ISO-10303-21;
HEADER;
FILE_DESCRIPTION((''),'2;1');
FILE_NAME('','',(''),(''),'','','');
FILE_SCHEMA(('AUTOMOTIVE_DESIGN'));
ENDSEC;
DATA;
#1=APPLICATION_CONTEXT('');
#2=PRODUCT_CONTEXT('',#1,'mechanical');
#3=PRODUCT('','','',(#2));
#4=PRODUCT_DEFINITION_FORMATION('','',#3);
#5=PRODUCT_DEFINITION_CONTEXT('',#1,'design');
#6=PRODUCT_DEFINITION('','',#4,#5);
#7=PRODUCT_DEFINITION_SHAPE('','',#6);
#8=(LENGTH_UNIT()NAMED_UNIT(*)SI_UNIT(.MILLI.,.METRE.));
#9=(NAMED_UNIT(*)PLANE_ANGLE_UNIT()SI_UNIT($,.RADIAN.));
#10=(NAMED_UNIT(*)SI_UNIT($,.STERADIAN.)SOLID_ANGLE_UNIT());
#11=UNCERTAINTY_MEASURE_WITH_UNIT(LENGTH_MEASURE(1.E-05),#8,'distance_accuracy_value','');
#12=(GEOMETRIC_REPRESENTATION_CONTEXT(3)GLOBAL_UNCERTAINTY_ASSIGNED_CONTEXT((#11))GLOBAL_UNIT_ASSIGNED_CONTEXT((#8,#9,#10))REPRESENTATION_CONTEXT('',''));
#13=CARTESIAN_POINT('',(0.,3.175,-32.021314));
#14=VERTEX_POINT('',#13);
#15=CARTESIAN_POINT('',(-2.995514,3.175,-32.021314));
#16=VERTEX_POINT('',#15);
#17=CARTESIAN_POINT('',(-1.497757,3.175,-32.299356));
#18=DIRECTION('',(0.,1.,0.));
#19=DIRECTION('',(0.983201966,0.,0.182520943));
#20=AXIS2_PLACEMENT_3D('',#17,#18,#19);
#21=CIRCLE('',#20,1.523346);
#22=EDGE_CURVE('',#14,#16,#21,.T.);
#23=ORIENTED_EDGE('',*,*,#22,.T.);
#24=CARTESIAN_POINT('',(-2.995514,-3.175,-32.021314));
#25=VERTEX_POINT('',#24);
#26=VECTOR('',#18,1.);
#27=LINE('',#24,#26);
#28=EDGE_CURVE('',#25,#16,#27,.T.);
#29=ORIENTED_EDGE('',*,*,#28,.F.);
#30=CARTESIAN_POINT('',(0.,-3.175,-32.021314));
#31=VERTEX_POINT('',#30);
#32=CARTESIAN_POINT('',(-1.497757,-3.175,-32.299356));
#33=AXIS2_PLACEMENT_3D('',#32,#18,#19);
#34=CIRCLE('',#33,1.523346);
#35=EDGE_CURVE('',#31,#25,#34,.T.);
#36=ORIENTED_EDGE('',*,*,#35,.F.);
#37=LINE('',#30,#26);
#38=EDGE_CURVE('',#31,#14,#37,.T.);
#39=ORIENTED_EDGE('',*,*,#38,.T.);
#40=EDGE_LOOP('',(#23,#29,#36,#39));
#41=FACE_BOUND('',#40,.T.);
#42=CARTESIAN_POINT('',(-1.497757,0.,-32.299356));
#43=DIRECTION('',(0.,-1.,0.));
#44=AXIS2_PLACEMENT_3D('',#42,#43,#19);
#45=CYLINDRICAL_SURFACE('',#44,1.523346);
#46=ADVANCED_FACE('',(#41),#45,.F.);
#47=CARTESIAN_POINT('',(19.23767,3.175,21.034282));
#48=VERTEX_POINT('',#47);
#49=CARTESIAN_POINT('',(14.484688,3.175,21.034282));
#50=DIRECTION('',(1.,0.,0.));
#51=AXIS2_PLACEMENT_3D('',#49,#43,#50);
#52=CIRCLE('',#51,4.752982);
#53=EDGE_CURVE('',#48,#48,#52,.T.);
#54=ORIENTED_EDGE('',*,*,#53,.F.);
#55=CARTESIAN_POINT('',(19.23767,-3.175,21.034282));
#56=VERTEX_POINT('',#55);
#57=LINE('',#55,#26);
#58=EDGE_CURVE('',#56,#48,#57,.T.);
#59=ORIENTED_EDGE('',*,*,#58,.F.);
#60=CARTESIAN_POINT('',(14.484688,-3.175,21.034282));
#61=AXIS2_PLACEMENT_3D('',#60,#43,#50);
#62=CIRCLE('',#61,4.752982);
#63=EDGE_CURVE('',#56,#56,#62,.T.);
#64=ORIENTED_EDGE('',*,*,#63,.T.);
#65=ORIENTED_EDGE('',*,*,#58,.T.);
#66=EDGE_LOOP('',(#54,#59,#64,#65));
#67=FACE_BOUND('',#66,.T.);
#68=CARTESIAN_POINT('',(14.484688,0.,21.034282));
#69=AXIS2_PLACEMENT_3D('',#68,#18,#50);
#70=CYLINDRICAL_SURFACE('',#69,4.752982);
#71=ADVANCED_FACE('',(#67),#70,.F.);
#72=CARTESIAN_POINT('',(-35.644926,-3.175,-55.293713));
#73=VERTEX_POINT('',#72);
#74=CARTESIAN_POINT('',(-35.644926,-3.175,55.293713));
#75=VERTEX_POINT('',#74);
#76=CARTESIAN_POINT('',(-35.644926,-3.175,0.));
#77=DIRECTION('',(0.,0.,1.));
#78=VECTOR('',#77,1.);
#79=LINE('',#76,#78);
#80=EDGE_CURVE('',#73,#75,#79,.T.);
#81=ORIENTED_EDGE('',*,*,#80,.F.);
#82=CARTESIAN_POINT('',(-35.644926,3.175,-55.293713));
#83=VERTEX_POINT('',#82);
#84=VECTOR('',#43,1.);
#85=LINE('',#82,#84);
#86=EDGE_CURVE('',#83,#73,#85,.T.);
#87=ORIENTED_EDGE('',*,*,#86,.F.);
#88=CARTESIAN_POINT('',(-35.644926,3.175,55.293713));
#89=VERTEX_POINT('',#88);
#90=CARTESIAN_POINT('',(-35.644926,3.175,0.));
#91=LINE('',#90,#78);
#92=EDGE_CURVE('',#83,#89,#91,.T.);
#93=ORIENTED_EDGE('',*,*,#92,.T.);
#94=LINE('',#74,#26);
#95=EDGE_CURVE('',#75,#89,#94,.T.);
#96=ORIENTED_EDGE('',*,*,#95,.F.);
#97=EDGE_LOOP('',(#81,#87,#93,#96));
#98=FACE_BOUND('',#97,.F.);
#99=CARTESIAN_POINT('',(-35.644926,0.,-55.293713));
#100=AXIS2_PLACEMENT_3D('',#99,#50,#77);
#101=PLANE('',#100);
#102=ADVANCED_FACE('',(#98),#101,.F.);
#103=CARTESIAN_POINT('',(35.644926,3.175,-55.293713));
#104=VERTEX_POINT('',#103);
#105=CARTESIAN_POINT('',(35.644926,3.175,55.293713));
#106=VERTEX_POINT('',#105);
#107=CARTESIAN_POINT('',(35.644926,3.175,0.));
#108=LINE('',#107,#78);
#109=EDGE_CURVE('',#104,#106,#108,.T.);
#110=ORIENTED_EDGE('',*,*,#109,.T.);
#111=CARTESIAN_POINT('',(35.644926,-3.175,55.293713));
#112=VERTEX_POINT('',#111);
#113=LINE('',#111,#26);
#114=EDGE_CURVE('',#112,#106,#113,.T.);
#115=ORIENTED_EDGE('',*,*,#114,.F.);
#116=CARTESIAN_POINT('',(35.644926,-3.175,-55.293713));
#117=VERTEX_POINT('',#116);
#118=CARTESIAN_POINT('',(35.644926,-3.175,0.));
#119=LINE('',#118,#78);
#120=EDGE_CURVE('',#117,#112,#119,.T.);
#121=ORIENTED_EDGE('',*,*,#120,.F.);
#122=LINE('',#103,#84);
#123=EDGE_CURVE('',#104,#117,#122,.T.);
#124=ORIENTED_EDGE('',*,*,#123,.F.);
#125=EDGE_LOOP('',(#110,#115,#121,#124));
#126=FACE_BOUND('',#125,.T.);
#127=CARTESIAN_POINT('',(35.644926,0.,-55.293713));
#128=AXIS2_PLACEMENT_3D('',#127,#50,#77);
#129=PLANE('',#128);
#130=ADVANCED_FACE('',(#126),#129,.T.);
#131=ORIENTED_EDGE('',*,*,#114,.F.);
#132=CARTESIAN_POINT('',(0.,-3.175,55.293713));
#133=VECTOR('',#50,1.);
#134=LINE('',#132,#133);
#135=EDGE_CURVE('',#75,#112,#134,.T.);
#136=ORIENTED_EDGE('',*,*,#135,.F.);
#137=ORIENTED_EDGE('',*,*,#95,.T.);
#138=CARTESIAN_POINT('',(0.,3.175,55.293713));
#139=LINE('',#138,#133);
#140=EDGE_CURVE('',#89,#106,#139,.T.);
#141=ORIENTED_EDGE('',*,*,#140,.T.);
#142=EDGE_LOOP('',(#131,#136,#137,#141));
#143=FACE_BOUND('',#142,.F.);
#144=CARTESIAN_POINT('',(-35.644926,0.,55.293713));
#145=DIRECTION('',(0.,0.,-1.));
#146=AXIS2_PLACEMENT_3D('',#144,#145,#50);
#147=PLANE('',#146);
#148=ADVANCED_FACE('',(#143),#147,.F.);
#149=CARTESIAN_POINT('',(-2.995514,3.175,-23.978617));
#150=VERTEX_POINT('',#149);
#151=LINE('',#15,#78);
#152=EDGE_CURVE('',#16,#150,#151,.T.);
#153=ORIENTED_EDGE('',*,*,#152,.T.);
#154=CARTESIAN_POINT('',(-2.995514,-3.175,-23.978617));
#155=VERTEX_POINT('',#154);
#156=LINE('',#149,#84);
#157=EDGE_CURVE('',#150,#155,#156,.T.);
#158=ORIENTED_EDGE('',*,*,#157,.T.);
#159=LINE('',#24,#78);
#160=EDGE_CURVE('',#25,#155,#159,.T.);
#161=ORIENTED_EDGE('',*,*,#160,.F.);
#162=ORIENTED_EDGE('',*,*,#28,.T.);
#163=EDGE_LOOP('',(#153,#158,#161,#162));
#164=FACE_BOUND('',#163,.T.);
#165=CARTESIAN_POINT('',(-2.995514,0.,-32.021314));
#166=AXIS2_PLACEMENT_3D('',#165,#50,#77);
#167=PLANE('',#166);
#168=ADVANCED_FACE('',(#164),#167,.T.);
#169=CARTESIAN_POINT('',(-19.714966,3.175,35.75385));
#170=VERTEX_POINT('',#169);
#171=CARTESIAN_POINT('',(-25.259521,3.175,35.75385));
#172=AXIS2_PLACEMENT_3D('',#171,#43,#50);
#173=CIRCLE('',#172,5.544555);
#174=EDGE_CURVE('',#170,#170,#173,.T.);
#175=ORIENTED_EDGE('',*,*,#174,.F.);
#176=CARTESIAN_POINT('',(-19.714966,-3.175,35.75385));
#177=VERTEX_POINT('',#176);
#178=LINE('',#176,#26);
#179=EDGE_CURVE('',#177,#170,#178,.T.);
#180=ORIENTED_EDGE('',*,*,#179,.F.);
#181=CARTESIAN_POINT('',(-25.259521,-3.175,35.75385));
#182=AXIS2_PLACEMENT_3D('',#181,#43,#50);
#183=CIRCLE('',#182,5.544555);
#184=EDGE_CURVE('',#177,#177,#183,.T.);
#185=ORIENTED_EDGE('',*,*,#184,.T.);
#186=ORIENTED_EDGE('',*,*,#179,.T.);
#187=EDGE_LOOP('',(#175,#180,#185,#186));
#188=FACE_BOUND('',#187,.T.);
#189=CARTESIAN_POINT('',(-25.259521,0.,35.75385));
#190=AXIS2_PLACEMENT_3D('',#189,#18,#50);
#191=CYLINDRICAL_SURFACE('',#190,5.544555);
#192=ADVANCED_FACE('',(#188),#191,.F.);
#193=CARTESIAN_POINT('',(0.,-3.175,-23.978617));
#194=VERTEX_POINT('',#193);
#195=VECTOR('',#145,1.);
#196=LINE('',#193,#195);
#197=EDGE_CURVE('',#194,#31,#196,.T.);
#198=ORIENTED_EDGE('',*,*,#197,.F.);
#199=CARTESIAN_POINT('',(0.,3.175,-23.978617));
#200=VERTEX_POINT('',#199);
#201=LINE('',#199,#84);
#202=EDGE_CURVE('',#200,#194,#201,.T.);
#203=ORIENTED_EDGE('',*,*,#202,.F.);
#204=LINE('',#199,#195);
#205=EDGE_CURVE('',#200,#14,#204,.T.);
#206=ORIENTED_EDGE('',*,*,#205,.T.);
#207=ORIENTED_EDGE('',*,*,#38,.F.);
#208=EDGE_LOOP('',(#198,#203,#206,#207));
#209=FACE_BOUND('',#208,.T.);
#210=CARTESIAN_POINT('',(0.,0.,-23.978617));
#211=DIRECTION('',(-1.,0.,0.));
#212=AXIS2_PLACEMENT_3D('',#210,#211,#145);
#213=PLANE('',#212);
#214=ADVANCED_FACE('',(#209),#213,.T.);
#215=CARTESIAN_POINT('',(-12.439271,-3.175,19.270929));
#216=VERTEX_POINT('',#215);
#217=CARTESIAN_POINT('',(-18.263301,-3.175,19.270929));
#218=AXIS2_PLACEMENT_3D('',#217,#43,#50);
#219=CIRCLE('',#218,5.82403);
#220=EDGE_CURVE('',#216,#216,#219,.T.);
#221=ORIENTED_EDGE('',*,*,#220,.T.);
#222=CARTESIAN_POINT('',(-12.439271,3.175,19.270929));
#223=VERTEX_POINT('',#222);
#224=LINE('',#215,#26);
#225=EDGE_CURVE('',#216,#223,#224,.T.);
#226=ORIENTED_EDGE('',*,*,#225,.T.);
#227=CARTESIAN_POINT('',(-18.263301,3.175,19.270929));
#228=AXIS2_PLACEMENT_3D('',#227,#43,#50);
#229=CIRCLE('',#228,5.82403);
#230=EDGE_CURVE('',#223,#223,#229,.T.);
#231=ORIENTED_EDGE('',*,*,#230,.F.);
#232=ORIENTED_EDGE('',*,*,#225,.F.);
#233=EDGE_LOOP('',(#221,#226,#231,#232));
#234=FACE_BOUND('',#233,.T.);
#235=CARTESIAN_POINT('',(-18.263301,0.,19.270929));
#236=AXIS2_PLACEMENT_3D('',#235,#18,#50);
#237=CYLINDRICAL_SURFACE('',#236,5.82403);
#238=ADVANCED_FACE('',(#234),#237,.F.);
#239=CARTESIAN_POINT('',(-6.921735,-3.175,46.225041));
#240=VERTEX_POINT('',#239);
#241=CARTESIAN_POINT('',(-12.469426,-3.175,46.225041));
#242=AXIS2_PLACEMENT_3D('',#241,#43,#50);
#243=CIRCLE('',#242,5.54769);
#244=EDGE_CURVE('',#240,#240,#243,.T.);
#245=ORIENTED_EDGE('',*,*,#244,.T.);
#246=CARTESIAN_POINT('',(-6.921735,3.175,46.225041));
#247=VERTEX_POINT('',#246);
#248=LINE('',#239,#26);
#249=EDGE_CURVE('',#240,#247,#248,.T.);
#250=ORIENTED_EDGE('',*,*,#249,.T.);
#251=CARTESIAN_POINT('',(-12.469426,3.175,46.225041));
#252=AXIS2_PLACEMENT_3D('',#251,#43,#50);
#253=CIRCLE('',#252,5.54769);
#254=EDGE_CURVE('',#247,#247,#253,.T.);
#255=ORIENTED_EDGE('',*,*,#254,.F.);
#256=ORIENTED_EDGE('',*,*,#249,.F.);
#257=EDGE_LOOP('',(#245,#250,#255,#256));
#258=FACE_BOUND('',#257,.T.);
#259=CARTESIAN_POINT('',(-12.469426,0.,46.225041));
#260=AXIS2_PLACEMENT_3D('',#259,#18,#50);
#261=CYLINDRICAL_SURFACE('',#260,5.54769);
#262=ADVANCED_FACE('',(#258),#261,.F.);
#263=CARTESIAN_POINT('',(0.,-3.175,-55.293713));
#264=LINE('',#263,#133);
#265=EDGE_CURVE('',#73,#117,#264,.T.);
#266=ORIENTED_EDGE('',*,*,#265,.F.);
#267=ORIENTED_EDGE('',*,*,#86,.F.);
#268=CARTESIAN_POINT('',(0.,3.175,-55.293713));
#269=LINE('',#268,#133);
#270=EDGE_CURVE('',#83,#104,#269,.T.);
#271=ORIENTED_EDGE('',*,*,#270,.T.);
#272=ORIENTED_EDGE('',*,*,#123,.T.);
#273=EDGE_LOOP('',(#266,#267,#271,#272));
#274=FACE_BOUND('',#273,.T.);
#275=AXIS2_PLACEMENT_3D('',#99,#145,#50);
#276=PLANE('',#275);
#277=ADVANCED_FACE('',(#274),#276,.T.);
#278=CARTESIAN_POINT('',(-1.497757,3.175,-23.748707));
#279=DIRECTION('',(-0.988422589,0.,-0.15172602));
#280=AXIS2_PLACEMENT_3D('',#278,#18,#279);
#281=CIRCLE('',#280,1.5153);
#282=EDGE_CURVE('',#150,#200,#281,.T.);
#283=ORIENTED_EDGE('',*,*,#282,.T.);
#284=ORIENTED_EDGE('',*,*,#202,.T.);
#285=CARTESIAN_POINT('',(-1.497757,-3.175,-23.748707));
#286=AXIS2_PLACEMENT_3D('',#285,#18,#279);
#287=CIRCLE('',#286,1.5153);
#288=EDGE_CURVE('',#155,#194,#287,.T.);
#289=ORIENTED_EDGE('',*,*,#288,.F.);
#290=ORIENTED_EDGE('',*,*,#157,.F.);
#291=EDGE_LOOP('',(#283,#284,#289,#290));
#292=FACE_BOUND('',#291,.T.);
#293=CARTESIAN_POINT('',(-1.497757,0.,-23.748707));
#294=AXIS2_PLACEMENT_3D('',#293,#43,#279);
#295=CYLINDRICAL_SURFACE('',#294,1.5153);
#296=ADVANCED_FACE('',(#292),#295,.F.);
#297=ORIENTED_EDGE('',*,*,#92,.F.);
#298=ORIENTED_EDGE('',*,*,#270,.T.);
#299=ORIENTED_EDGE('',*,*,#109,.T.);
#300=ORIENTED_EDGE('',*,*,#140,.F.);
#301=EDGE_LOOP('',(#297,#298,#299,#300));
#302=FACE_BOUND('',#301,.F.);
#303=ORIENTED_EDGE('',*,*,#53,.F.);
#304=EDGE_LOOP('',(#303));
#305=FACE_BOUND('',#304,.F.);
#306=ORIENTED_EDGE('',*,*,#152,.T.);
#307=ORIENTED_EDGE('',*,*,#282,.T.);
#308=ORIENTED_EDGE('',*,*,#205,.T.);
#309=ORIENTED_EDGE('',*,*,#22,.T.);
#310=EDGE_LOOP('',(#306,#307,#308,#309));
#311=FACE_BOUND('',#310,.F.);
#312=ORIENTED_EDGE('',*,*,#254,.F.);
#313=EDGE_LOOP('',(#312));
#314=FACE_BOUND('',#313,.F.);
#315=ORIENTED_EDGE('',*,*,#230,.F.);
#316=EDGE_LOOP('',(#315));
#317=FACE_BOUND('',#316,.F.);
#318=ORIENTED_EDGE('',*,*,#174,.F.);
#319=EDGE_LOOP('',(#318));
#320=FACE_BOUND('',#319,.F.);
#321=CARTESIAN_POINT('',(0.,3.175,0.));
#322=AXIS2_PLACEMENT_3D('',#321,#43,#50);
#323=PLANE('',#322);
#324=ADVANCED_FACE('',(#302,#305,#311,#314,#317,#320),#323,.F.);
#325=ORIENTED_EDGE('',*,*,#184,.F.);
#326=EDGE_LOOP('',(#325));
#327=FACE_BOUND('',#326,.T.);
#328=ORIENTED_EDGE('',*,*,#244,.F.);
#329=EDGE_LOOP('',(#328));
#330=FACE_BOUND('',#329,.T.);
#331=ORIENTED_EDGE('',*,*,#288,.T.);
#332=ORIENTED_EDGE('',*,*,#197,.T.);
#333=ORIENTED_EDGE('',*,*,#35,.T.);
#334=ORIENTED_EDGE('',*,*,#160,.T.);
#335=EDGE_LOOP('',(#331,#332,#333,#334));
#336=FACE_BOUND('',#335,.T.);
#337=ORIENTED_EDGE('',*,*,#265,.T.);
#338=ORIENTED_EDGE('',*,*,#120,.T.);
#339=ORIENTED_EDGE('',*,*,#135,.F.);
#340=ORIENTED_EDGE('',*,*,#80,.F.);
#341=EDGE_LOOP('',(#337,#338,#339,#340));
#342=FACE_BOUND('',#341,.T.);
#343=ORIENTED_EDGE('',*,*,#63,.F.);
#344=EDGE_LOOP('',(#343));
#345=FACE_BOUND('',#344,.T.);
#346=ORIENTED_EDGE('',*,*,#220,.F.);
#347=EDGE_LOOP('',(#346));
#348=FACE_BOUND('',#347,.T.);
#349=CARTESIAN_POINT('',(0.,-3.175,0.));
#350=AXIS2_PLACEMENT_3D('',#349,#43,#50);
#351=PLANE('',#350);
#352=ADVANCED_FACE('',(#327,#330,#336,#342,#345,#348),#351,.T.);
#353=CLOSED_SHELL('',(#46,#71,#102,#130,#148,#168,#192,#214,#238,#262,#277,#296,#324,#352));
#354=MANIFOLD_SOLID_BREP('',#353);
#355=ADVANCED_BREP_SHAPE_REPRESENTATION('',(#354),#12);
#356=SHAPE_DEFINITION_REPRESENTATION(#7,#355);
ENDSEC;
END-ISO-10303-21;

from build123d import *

# Parameters (mm, degrees)
F0_W     = 71.2898522615
F0_H     = 110.58742553
F0_R     = 5.8240303567
F0_R_2   = 5.544554678
F0_R_3   = 5.5476903885
F0_R_4   = 4.7529819841
F1_DEPTH = 3.175
F2_DEPTH = 3.175


with BuildPart() as f1:
    # F0 (on Front) → F1 (new body, symmetric)
    with BuildSketch(Plane.XZ):
        Rectangle(F0_W, F0_H)
        with BuildLine():
            ThreePointArc((-2.9955138452, -23.9786170423), (-1.4977569226, -22.2334064032), (0, -23.9786170423))
            Line((0, -23.9786170423), (0, -32.0213139057))
            ThreePointArc((0, -32.0213139057), (-1.4977569226, -33.8227026245), (-2.9955138452, -32.0213139057))
            Line((-2.9955138452, -32.0213139057), (-2.9955138452, -23.9786170423))
        make_face(mode=Mode.SUBTRACT)
        with Locations((-18.2633008808, 19.2709285766)):
            Circle(F0_R, mode=Mode.SUBTRACT)
        with Locations((-25.2595208585, 35.7538498938)):
            Circle(F0_R_2, mode=Mode.SUBTRACT)
        with Locations((-12.4694257975, 46.225041151)):
            Circle(F0_R_3, mode=Mode.SUBTRACT)
        with Locations((14.4846877083, 21.0342817008)):
            Circle(F0_R_4, mode=Mode.SUBTRACT)
    extrude(amount=F1_DEPTH, both=True)

    # F0 (on Front) → F2 (join, symmetric)
    with BuildSketch(Plane.XZ):
        Rectangle(F0_W, F0_H)
        with BuildLine():
            ThreePointArc((-2.9955138452, -23.9786170423), (-1.4977569226, -22.2334064032), (0, -23.9786170423))
            Line((0, -23.9786170423), (0, -32.0213139057))
            ThreePointArc((0, -32.0213139057), (-1.4977569226, -33.8227026245), (-2.9955138452, -32.0213139057))
            Line((-2.9955138452, -32.0213139057), (-2.9955138452, -23.9786170423))
        make_face(mode=Mode.SUBTRACT)
        with Locations((-18.2633008808, 19.2709285766)):
            Circle(F0_R, mode=Mode.SUBTRACT)
        with Locations((-25.2595208585, 35.7538498938)):
            Circle(F0_R_2, mode=Mode.SUBTRACT)
        with Locations((-12.4694257975, 46.225041151)):
            Circle(F0_R_3, mode=Mode.SUBTRACT)
        with Locations((14.4846877083, 21.0342817008)):
            Circle(F0_R_4, mode=Mode.SUBTRACT)
    extrude(amount=F2_DEPTH, both=True)


solid = f1.part
